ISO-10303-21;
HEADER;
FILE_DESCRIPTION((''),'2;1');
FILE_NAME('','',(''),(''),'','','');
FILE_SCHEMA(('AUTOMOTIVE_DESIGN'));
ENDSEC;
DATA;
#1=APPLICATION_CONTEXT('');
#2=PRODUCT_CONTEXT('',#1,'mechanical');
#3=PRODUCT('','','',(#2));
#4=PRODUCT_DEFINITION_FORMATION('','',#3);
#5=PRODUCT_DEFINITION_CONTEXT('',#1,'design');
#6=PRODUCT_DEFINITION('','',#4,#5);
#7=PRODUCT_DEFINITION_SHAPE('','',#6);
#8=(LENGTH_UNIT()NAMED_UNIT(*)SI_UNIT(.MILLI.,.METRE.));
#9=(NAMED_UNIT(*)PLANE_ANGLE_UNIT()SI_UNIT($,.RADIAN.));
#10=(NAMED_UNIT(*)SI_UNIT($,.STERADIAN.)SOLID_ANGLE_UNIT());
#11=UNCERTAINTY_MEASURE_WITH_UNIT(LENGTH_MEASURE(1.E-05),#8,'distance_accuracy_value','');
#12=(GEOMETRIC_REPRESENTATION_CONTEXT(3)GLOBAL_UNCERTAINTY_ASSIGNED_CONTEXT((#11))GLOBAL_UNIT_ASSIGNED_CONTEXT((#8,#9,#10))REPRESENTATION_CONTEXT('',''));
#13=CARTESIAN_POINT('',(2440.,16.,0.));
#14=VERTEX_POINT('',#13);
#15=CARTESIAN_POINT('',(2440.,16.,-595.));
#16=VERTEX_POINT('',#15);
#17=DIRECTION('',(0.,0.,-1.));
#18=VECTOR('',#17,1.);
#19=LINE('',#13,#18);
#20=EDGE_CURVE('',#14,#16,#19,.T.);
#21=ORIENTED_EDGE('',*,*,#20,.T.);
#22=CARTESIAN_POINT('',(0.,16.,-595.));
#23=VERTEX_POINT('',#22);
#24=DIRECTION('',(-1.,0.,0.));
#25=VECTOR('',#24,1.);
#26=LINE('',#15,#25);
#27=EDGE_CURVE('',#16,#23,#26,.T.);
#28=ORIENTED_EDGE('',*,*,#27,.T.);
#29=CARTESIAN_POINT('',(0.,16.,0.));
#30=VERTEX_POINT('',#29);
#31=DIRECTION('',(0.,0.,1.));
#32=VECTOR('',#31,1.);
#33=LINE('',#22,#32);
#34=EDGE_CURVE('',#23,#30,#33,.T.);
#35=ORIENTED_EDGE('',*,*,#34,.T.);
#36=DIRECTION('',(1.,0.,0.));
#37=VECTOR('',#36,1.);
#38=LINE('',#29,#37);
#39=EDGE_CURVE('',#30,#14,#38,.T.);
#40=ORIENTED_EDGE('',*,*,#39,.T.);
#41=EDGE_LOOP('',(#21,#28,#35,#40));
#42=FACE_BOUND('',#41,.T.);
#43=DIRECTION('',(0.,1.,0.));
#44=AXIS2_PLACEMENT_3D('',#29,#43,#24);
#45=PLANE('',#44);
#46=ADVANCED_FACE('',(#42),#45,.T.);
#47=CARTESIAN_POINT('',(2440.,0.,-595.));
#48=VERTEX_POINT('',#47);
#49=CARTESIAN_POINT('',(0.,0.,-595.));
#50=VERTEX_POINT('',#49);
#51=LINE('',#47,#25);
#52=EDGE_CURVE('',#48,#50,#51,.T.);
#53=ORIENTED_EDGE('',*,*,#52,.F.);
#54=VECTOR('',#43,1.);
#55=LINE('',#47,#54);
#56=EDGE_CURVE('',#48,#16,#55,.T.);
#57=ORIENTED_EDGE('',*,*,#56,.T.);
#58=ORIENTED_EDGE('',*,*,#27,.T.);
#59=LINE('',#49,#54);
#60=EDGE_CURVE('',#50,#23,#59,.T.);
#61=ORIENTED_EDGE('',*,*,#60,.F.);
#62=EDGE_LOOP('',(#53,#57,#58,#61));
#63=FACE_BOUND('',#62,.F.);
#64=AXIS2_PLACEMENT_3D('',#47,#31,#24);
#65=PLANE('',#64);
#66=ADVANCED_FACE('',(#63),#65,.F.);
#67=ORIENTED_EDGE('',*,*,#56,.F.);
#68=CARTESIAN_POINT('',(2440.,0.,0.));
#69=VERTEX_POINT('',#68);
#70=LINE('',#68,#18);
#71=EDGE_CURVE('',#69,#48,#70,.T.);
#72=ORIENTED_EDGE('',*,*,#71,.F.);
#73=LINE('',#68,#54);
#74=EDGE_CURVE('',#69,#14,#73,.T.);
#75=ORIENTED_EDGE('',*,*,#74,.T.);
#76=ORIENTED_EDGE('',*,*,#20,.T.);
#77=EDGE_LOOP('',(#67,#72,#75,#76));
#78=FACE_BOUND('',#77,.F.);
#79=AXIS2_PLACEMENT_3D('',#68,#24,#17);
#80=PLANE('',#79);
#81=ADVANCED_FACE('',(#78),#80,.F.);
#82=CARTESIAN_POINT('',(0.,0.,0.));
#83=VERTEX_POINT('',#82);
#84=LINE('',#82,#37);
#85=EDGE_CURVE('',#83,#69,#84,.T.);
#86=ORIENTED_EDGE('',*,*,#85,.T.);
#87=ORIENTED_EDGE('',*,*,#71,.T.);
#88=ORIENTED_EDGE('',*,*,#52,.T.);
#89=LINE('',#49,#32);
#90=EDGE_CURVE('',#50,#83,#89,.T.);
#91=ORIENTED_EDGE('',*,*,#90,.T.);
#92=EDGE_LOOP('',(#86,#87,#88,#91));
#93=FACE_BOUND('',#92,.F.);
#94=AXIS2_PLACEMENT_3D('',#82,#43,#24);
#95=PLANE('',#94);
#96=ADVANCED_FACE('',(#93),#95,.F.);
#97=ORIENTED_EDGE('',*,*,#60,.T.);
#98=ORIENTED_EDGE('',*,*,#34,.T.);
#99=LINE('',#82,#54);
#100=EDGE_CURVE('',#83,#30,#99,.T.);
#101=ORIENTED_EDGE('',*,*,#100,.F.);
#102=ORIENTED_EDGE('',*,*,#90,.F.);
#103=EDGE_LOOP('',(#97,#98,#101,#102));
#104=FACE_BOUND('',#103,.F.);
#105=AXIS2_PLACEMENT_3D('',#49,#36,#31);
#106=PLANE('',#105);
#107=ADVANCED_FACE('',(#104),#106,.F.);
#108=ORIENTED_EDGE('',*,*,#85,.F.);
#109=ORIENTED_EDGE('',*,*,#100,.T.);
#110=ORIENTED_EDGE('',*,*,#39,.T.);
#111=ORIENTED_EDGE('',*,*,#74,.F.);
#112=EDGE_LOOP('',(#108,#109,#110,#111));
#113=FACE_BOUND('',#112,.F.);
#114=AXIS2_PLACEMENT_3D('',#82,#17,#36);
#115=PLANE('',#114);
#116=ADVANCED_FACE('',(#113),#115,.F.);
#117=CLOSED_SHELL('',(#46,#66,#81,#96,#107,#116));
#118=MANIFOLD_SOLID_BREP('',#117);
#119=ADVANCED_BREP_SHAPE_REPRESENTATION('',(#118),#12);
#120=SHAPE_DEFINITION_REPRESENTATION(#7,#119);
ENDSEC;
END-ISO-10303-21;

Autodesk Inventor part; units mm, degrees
ref_plane "YZ Plane" through (0, 0, 0) normal (1, 0, 0) x (0, 1, 0)
ref_plane "XZ Plane" through (0, 0, 0) normal (0, 1, 0) x (-1, 0, 0)
ref_plane "XY Plane" through (0, 0, 0) normal (0, 0, 1) x (1, 0, 0)
sketch "Boceto1" plane through (0, 0, 0) normal (0, 1, 0) x (-1, 0, 0)
  line L0 (0, 0) -> (-2440, 0)
  line L1 (-2440, 0) -> (-2440, -595)
  line L2 (-2440, -595) -> (0, -595)
  line L3 (0, -595) -> (0, 0)
  dimension "d2" = 595
  dimension "d3" = 2440
extrude "Extrusión1" add sketch "Boceto1" along normal blind 16
properties part number "Tabla fina"
